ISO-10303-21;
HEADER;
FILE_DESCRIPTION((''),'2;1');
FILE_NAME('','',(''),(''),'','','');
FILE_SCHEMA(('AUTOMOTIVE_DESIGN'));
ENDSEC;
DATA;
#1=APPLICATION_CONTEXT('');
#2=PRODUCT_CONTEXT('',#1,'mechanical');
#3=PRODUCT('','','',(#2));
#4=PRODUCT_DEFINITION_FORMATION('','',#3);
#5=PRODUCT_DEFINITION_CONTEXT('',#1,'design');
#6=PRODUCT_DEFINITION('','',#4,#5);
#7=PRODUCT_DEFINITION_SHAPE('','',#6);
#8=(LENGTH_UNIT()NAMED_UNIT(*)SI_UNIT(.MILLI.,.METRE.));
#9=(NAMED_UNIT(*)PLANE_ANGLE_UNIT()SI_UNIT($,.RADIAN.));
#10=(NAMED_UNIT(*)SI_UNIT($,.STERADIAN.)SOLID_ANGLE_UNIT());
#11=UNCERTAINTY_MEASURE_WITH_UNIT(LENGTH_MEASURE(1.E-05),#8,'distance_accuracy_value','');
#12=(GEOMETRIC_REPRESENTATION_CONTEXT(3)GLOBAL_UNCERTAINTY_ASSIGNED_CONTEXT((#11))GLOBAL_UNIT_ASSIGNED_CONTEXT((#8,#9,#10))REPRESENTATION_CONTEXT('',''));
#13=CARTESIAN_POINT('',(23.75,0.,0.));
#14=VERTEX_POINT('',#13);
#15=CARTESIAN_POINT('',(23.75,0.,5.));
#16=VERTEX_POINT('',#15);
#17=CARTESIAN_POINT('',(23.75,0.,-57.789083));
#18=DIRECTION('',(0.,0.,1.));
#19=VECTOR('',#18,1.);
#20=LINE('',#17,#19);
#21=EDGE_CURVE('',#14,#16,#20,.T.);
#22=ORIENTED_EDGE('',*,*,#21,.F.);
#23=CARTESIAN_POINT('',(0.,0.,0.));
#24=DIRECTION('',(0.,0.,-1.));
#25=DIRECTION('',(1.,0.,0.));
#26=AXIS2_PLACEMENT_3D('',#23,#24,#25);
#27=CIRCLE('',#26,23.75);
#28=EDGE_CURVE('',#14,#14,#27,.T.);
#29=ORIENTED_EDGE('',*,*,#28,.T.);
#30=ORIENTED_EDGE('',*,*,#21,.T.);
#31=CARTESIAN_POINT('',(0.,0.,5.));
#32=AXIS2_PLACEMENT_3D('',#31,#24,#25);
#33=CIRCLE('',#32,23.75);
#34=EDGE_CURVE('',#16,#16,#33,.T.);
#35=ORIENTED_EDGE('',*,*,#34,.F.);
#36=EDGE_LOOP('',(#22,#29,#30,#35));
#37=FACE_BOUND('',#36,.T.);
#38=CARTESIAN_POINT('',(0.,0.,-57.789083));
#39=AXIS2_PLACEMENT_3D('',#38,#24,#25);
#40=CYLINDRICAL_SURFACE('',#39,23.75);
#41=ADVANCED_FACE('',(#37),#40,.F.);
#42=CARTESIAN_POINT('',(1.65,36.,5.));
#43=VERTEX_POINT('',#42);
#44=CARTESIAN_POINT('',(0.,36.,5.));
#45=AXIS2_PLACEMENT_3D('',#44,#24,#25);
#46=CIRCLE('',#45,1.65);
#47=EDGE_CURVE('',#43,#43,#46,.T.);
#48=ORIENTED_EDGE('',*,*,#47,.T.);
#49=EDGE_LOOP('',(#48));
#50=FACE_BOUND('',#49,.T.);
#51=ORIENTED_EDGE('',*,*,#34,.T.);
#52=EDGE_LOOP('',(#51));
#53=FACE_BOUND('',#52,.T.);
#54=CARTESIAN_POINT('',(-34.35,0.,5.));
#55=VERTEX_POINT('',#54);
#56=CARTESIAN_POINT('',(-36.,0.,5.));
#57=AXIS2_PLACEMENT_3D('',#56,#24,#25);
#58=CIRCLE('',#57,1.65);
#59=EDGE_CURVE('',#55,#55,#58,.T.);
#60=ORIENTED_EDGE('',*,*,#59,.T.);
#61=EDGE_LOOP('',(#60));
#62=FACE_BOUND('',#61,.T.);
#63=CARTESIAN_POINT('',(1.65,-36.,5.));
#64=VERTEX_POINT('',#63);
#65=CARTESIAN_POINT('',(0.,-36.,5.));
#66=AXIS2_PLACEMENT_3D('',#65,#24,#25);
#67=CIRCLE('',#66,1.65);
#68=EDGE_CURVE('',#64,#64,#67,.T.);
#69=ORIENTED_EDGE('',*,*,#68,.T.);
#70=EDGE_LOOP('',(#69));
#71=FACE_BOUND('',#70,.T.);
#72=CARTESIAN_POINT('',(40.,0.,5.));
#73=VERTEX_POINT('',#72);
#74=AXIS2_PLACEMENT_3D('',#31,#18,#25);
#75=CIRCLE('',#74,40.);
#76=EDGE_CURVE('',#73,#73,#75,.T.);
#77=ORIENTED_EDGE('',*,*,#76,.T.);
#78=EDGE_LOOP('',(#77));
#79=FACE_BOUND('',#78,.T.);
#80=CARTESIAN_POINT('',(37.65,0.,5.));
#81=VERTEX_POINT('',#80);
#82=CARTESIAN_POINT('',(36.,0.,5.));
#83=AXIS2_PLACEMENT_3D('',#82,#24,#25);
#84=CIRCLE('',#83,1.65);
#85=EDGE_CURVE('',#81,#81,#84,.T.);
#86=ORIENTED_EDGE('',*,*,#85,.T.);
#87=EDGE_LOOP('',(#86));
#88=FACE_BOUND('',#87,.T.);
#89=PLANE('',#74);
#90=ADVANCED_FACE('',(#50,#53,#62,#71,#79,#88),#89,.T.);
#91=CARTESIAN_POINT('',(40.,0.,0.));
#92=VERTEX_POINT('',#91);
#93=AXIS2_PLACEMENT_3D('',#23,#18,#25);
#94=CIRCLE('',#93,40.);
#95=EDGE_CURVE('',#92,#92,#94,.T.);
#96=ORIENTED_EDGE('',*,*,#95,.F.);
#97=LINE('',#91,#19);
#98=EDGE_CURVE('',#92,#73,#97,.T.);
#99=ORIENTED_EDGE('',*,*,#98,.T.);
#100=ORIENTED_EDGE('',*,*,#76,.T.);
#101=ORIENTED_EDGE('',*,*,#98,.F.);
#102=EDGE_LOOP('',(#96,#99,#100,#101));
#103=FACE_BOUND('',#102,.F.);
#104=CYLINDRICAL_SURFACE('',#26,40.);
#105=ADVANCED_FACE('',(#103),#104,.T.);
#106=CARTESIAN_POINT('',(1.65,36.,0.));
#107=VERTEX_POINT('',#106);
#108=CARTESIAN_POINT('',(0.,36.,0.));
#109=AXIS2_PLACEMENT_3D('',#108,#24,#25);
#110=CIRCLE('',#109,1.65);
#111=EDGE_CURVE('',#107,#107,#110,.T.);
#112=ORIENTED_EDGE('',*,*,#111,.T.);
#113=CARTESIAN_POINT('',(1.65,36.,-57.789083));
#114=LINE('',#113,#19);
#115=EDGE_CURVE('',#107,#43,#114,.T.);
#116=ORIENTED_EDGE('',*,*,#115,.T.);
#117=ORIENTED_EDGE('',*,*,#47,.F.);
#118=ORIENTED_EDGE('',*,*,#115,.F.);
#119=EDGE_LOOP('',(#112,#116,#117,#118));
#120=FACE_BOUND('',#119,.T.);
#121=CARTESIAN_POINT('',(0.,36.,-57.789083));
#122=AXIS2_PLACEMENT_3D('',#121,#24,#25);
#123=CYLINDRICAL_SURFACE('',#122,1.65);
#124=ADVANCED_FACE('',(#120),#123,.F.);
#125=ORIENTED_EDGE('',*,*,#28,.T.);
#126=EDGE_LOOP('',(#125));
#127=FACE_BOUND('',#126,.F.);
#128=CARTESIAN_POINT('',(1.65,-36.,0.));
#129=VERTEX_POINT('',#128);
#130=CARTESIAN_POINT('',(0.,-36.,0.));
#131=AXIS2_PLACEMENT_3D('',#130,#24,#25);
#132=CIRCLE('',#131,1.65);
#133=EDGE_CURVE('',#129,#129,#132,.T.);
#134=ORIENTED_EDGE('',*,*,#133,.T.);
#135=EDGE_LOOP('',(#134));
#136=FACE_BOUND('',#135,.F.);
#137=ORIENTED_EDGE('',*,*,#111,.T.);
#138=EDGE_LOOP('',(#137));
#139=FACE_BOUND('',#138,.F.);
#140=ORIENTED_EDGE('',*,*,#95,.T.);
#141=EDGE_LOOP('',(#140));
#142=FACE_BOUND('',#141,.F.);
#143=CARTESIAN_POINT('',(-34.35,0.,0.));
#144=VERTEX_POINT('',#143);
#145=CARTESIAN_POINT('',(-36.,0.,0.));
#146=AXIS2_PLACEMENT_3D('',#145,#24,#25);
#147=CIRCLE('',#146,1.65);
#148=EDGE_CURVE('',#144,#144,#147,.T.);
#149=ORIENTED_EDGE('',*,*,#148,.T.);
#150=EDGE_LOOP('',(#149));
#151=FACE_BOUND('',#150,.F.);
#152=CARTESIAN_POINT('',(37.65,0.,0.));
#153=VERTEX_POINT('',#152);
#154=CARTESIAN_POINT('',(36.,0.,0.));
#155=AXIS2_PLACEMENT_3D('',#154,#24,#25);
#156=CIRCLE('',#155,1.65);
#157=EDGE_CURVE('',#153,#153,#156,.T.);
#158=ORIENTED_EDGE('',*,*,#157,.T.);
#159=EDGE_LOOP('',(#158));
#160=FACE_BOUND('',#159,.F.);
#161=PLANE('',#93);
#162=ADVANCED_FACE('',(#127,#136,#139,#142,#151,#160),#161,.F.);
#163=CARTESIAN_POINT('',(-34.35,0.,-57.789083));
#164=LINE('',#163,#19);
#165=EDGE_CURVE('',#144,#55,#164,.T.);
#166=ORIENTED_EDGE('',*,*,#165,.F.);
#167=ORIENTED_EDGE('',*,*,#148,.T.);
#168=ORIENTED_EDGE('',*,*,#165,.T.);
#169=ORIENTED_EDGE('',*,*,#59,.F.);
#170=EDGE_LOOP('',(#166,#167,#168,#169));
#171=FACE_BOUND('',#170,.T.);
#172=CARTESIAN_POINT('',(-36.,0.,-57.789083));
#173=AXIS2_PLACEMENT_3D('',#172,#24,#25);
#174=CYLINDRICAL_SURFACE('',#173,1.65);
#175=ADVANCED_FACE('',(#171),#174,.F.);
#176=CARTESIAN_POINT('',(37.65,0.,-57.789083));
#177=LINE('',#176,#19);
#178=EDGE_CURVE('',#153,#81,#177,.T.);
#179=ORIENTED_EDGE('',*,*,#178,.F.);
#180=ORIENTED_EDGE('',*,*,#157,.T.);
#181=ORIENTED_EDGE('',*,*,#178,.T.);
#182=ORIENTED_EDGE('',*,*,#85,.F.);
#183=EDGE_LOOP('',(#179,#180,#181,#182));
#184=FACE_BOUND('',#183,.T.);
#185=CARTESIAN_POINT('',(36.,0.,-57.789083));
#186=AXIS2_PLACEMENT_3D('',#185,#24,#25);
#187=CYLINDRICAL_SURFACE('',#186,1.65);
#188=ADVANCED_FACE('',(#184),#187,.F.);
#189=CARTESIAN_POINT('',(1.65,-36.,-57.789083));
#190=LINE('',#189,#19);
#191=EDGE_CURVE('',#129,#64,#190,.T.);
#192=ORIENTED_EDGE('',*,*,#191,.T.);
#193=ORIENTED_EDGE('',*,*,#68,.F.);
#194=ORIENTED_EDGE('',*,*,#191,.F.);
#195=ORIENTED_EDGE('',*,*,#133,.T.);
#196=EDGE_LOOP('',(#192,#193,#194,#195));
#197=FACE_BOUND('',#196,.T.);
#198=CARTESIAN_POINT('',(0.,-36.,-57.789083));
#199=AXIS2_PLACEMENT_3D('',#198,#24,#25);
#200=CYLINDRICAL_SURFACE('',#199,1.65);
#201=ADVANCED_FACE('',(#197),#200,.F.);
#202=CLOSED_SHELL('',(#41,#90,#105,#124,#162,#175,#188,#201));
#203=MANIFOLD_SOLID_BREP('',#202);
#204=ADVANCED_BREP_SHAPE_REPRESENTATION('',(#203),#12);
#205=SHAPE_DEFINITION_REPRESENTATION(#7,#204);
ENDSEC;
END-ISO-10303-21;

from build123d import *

# Parameters (mm, degrees)
ESKIZ_KONTUR_R        = 40
PLASTINA_DEPTH        = 5
OTVERSTIYA_DEPTH      = 57.789083458
OTVERSTIYA_DEPTH_BACK = 57.789083458
ESKIZ_OTVERSTIYA_R    = 1.65
ESKIZ_OTVERSTIYA_R_2  = 23.75


with BuildPart() as part:
    # Eskiz_kontur → Plastina (new body)
    with BuildSketch(Plane.XY):
        Circle(ESKIZ_KONTUR_R)
    extrude(amount=PLASTINA_DEPTH)

    # Eskiz_otverstiya → Otverstiya (cut, two sides: drawn at the far end of the back side and taken through both)
    with BuildSketch(Plane.XY.offset(-OTVERSTIYA_DEPTH_BACK)):
        with Locations((0, -36)):
            Circle(ESKIZ_OTVERSTIYA_R)
        Circle(ESKIZ_OTVERSTIYA_R_2)
        with Locations((-36, 0)):
            Circle(ESKIZ_OTVERSTIYA_R)
        with Locations((36, 0)):
            Circle(ESKIZ_OTVERSTIYA_R)
        with Locations((0, 36)):
            Circle(ESKIZ_OTVERSTIYA_R)
    extrude(amount=OTVERSTIYA_DEPTH + OTVERSTIYA_DEPTH_BACK, mode=Mode.SUBTRACT)


solid = part.part
